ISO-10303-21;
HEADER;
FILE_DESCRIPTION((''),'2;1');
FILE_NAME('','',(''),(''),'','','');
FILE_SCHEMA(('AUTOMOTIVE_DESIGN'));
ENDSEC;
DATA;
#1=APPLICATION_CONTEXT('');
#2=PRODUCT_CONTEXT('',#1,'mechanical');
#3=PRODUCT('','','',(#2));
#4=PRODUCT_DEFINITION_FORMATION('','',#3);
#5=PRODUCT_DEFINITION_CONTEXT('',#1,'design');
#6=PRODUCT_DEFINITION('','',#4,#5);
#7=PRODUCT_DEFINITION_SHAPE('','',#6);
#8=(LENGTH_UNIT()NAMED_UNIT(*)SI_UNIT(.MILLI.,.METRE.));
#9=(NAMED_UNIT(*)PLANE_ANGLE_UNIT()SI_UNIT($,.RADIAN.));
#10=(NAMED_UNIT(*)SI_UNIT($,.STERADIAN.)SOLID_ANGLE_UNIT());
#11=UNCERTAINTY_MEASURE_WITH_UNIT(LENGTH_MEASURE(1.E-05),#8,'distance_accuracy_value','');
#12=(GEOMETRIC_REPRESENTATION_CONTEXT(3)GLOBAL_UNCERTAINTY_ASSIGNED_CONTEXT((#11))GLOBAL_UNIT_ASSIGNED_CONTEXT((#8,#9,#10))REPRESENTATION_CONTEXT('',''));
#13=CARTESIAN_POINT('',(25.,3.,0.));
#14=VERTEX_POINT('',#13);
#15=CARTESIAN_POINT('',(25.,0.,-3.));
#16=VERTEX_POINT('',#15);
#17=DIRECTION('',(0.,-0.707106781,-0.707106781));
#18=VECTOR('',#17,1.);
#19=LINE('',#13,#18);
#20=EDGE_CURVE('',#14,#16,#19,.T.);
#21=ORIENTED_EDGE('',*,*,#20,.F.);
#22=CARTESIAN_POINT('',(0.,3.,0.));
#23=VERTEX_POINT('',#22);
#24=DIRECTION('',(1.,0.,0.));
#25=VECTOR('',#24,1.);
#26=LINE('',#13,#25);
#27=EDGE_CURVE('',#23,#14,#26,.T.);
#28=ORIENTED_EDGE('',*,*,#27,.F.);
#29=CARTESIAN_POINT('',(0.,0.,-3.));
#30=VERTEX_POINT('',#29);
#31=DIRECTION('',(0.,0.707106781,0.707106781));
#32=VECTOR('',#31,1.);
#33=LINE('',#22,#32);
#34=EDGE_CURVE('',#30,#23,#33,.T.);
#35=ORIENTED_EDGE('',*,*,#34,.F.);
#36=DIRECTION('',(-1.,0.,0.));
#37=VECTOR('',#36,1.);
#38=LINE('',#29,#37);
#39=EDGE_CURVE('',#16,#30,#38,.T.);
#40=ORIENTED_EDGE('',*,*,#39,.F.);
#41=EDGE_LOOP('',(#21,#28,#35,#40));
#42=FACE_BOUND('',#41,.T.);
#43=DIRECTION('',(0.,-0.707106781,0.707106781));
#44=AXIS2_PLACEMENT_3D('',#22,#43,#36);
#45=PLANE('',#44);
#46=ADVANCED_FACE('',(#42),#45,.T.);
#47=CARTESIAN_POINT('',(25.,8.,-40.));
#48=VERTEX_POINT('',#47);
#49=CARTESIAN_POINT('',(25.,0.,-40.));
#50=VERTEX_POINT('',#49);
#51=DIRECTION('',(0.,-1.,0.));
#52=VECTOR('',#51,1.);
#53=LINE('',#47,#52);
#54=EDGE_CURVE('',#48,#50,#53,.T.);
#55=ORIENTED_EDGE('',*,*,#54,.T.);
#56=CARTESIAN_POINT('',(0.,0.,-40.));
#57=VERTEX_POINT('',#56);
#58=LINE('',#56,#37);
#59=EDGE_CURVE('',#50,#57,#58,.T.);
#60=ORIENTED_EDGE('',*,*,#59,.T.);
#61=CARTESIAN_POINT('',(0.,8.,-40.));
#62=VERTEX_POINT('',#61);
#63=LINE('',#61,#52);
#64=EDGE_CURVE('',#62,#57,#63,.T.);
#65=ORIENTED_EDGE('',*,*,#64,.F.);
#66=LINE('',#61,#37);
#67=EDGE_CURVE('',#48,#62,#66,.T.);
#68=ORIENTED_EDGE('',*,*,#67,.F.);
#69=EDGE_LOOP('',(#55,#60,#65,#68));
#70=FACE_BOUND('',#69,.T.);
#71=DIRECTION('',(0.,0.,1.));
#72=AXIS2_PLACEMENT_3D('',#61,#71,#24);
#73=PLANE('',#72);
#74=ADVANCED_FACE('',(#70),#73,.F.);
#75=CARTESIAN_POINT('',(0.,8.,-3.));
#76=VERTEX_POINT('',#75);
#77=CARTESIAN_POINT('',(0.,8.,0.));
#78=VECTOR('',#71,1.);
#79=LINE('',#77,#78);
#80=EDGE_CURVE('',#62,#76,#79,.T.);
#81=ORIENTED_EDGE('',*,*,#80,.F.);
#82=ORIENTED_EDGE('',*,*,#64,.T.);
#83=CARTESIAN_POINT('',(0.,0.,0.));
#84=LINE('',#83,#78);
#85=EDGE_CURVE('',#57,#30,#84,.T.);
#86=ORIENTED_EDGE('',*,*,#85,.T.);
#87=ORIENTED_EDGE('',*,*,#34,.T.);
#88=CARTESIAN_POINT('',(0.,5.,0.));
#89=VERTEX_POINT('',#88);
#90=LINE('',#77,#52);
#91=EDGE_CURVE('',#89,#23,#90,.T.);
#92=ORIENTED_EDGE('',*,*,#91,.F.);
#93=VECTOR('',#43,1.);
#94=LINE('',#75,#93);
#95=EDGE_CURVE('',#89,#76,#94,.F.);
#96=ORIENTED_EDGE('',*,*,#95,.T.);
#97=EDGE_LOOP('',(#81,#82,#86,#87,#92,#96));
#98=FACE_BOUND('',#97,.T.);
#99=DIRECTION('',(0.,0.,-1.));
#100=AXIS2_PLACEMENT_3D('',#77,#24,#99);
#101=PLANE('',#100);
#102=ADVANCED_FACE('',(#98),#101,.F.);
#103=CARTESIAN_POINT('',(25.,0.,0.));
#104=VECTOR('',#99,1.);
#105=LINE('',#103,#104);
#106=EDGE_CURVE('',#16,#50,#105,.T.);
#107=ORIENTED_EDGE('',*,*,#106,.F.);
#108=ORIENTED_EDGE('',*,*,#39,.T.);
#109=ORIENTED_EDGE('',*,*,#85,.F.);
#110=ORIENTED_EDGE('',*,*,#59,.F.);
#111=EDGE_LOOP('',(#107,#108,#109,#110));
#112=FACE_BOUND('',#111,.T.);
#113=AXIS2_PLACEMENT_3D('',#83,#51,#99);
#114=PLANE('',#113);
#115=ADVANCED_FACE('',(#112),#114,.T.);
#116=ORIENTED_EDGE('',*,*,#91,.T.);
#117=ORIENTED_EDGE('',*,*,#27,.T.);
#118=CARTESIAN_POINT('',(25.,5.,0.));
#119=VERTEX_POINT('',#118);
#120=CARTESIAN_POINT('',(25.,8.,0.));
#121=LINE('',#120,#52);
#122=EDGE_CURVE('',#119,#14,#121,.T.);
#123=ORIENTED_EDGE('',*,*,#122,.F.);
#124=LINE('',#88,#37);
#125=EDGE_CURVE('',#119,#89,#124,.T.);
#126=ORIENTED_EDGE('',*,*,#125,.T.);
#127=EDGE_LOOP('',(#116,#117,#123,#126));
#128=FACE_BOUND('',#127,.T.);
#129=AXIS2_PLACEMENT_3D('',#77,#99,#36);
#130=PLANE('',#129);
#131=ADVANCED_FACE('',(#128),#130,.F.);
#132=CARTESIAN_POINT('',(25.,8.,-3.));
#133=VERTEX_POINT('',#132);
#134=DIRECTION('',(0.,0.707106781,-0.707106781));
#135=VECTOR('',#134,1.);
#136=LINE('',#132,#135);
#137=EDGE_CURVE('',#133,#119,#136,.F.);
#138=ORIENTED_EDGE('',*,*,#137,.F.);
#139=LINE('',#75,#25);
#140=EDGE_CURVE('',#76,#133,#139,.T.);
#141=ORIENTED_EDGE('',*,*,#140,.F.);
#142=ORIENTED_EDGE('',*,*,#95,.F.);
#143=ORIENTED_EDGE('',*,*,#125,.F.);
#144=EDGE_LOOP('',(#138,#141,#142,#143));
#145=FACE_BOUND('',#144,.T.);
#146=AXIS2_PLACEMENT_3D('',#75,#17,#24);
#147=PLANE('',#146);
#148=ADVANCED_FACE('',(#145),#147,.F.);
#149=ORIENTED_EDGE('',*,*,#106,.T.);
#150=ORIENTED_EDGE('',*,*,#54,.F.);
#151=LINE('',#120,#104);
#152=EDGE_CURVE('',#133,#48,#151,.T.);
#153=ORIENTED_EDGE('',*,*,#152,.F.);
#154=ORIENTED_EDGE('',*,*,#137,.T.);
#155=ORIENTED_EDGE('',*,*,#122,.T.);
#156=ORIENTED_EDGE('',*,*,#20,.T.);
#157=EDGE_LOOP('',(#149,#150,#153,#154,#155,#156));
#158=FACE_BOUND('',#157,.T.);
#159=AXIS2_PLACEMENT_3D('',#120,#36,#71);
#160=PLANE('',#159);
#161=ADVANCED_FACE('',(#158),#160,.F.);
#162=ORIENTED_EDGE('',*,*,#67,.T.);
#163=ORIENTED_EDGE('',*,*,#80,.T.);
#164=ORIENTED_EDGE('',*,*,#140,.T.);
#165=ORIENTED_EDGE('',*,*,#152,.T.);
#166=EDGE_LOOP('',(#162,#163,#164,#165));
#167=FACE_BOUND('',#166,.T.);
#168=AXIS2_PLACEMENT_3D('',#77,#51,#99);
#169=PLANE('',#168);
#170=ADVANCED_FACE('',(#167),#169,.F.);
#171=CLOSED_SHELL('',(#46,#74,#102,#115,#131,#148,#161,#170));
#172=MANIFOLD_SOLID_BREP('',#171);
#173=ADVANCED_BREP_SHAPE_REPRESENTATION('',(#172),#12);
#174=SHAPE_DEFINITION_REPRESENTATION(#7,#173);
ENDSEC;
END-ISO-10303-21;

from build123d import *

# Parameters (mm, degrees)
SKETCH_1_W      = 25
SKETCH_1_H      = 40
EXTRUDE_1_DEPTH = 8
CHAMFER_1_SIZE  = 3


with BuildPart() as part:
    # 草图1 → 凸台-拉伸1 (new body)
    with BuildSketch(Plane(origin=(0, 0, 0), x_dir=(1, 0, 0), z_dir=(0, 1, 0))):
        with Locations((12.5, 20)):
            Rectangle(SKETCH_1_W, SKETCH_1_H)
    extrude(amount=EXTRUDE_1_DEPTH)

    # 倒角1
    chamfer_1_edges = [part.edges().sort_by_distance(p)[0] for p in [
        (12.5, 0, 0),
        (12.5, 8, 0),
    ]]
    chamfer(chamfer_1_edges, length=CHAMFER_1_SIZE)


solid = part.part
